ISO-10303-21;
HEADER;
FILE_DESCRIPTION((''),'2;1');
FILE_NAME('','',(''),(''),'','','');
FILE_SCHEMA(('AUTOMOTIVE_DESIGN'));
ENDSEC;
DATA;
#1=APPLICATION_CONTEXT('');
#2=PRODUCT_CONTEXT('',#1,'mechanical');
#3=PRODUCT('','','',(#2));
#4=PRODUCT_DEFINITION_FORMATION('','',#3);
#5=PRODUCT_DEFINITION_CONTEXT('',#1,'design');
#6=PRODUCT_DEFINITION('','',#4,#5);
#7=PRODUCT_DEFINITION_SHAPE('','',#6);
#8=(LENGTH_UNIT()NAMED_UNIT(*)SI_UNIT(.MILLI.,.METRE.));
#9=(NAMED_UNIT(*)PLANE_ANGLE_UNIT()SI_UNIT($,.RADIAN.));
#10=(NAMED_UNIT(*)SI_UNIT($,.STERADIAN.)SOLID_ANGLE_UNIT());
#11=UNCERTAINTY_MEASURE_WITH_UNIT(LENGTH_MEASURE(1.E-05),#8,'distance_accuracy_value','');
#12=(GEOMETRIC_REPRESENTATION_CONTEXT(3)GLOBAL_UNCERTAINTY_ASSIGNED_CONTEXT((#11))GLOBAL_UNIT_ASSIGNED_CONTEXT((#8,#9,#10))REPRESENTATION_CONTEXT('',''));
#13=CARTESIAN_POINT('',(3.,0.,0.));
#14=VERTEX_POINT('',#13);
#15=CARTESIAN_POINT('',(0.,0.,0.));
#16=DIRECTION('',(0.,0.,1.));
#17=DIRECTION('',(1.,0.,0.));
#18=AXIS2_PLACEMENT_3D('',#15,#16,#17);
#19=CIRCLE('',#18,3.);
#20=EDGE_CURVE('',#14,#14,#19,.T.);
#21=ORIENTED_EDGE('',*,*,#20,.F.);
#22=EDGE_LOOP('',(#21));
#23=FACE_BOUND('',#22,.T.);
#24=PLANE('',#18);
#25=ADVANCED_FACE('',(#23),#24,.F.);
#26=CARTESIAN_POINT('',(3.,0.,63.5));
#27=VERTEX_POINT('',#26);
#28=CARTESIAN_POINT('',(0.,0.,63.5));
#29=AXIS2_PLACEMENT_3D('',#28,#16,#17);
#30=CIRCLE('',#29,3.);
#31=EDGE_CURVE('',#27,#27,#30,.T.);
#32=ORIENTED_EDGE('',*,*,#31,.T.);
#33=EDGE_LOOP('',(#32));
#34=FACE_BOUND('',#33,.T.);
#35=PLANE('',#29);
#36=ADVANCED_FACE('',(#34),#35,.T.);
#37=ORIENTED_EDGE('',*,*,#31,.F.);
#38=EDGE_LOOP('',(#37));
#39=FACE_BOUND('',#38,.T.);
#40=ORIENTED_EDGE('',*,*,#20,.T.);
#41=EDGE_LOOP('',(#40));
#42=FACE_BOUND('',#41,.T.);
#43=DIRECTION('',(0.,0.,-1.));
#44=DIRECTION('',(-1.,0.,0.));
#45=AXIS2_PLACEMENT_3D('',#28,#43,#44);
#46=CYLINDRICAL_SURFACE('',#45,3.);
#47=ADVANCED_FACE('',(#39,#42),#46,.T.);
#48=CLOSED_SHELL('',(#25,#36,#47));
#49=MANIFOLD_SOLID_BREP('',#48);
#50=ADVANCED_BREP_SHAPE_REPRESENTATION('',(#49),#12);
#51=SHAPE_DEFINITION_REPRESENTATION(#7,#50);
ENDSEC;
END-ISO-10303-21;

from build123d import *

# Parameters (mm, degrees)
SKETCH1_R           = 3
BOSS_EXTRUDE1_DEPTH = 63.5


with BuildPart() as part:
    # Sketch1 → Boss-Extrude1 (new body)
    with BuildSketch(Plane.XY):
        Circle(SKETCH1_R)
    extrude(amount=BOSS_EXTRUDE1_DEPTH)


solid = part.part
